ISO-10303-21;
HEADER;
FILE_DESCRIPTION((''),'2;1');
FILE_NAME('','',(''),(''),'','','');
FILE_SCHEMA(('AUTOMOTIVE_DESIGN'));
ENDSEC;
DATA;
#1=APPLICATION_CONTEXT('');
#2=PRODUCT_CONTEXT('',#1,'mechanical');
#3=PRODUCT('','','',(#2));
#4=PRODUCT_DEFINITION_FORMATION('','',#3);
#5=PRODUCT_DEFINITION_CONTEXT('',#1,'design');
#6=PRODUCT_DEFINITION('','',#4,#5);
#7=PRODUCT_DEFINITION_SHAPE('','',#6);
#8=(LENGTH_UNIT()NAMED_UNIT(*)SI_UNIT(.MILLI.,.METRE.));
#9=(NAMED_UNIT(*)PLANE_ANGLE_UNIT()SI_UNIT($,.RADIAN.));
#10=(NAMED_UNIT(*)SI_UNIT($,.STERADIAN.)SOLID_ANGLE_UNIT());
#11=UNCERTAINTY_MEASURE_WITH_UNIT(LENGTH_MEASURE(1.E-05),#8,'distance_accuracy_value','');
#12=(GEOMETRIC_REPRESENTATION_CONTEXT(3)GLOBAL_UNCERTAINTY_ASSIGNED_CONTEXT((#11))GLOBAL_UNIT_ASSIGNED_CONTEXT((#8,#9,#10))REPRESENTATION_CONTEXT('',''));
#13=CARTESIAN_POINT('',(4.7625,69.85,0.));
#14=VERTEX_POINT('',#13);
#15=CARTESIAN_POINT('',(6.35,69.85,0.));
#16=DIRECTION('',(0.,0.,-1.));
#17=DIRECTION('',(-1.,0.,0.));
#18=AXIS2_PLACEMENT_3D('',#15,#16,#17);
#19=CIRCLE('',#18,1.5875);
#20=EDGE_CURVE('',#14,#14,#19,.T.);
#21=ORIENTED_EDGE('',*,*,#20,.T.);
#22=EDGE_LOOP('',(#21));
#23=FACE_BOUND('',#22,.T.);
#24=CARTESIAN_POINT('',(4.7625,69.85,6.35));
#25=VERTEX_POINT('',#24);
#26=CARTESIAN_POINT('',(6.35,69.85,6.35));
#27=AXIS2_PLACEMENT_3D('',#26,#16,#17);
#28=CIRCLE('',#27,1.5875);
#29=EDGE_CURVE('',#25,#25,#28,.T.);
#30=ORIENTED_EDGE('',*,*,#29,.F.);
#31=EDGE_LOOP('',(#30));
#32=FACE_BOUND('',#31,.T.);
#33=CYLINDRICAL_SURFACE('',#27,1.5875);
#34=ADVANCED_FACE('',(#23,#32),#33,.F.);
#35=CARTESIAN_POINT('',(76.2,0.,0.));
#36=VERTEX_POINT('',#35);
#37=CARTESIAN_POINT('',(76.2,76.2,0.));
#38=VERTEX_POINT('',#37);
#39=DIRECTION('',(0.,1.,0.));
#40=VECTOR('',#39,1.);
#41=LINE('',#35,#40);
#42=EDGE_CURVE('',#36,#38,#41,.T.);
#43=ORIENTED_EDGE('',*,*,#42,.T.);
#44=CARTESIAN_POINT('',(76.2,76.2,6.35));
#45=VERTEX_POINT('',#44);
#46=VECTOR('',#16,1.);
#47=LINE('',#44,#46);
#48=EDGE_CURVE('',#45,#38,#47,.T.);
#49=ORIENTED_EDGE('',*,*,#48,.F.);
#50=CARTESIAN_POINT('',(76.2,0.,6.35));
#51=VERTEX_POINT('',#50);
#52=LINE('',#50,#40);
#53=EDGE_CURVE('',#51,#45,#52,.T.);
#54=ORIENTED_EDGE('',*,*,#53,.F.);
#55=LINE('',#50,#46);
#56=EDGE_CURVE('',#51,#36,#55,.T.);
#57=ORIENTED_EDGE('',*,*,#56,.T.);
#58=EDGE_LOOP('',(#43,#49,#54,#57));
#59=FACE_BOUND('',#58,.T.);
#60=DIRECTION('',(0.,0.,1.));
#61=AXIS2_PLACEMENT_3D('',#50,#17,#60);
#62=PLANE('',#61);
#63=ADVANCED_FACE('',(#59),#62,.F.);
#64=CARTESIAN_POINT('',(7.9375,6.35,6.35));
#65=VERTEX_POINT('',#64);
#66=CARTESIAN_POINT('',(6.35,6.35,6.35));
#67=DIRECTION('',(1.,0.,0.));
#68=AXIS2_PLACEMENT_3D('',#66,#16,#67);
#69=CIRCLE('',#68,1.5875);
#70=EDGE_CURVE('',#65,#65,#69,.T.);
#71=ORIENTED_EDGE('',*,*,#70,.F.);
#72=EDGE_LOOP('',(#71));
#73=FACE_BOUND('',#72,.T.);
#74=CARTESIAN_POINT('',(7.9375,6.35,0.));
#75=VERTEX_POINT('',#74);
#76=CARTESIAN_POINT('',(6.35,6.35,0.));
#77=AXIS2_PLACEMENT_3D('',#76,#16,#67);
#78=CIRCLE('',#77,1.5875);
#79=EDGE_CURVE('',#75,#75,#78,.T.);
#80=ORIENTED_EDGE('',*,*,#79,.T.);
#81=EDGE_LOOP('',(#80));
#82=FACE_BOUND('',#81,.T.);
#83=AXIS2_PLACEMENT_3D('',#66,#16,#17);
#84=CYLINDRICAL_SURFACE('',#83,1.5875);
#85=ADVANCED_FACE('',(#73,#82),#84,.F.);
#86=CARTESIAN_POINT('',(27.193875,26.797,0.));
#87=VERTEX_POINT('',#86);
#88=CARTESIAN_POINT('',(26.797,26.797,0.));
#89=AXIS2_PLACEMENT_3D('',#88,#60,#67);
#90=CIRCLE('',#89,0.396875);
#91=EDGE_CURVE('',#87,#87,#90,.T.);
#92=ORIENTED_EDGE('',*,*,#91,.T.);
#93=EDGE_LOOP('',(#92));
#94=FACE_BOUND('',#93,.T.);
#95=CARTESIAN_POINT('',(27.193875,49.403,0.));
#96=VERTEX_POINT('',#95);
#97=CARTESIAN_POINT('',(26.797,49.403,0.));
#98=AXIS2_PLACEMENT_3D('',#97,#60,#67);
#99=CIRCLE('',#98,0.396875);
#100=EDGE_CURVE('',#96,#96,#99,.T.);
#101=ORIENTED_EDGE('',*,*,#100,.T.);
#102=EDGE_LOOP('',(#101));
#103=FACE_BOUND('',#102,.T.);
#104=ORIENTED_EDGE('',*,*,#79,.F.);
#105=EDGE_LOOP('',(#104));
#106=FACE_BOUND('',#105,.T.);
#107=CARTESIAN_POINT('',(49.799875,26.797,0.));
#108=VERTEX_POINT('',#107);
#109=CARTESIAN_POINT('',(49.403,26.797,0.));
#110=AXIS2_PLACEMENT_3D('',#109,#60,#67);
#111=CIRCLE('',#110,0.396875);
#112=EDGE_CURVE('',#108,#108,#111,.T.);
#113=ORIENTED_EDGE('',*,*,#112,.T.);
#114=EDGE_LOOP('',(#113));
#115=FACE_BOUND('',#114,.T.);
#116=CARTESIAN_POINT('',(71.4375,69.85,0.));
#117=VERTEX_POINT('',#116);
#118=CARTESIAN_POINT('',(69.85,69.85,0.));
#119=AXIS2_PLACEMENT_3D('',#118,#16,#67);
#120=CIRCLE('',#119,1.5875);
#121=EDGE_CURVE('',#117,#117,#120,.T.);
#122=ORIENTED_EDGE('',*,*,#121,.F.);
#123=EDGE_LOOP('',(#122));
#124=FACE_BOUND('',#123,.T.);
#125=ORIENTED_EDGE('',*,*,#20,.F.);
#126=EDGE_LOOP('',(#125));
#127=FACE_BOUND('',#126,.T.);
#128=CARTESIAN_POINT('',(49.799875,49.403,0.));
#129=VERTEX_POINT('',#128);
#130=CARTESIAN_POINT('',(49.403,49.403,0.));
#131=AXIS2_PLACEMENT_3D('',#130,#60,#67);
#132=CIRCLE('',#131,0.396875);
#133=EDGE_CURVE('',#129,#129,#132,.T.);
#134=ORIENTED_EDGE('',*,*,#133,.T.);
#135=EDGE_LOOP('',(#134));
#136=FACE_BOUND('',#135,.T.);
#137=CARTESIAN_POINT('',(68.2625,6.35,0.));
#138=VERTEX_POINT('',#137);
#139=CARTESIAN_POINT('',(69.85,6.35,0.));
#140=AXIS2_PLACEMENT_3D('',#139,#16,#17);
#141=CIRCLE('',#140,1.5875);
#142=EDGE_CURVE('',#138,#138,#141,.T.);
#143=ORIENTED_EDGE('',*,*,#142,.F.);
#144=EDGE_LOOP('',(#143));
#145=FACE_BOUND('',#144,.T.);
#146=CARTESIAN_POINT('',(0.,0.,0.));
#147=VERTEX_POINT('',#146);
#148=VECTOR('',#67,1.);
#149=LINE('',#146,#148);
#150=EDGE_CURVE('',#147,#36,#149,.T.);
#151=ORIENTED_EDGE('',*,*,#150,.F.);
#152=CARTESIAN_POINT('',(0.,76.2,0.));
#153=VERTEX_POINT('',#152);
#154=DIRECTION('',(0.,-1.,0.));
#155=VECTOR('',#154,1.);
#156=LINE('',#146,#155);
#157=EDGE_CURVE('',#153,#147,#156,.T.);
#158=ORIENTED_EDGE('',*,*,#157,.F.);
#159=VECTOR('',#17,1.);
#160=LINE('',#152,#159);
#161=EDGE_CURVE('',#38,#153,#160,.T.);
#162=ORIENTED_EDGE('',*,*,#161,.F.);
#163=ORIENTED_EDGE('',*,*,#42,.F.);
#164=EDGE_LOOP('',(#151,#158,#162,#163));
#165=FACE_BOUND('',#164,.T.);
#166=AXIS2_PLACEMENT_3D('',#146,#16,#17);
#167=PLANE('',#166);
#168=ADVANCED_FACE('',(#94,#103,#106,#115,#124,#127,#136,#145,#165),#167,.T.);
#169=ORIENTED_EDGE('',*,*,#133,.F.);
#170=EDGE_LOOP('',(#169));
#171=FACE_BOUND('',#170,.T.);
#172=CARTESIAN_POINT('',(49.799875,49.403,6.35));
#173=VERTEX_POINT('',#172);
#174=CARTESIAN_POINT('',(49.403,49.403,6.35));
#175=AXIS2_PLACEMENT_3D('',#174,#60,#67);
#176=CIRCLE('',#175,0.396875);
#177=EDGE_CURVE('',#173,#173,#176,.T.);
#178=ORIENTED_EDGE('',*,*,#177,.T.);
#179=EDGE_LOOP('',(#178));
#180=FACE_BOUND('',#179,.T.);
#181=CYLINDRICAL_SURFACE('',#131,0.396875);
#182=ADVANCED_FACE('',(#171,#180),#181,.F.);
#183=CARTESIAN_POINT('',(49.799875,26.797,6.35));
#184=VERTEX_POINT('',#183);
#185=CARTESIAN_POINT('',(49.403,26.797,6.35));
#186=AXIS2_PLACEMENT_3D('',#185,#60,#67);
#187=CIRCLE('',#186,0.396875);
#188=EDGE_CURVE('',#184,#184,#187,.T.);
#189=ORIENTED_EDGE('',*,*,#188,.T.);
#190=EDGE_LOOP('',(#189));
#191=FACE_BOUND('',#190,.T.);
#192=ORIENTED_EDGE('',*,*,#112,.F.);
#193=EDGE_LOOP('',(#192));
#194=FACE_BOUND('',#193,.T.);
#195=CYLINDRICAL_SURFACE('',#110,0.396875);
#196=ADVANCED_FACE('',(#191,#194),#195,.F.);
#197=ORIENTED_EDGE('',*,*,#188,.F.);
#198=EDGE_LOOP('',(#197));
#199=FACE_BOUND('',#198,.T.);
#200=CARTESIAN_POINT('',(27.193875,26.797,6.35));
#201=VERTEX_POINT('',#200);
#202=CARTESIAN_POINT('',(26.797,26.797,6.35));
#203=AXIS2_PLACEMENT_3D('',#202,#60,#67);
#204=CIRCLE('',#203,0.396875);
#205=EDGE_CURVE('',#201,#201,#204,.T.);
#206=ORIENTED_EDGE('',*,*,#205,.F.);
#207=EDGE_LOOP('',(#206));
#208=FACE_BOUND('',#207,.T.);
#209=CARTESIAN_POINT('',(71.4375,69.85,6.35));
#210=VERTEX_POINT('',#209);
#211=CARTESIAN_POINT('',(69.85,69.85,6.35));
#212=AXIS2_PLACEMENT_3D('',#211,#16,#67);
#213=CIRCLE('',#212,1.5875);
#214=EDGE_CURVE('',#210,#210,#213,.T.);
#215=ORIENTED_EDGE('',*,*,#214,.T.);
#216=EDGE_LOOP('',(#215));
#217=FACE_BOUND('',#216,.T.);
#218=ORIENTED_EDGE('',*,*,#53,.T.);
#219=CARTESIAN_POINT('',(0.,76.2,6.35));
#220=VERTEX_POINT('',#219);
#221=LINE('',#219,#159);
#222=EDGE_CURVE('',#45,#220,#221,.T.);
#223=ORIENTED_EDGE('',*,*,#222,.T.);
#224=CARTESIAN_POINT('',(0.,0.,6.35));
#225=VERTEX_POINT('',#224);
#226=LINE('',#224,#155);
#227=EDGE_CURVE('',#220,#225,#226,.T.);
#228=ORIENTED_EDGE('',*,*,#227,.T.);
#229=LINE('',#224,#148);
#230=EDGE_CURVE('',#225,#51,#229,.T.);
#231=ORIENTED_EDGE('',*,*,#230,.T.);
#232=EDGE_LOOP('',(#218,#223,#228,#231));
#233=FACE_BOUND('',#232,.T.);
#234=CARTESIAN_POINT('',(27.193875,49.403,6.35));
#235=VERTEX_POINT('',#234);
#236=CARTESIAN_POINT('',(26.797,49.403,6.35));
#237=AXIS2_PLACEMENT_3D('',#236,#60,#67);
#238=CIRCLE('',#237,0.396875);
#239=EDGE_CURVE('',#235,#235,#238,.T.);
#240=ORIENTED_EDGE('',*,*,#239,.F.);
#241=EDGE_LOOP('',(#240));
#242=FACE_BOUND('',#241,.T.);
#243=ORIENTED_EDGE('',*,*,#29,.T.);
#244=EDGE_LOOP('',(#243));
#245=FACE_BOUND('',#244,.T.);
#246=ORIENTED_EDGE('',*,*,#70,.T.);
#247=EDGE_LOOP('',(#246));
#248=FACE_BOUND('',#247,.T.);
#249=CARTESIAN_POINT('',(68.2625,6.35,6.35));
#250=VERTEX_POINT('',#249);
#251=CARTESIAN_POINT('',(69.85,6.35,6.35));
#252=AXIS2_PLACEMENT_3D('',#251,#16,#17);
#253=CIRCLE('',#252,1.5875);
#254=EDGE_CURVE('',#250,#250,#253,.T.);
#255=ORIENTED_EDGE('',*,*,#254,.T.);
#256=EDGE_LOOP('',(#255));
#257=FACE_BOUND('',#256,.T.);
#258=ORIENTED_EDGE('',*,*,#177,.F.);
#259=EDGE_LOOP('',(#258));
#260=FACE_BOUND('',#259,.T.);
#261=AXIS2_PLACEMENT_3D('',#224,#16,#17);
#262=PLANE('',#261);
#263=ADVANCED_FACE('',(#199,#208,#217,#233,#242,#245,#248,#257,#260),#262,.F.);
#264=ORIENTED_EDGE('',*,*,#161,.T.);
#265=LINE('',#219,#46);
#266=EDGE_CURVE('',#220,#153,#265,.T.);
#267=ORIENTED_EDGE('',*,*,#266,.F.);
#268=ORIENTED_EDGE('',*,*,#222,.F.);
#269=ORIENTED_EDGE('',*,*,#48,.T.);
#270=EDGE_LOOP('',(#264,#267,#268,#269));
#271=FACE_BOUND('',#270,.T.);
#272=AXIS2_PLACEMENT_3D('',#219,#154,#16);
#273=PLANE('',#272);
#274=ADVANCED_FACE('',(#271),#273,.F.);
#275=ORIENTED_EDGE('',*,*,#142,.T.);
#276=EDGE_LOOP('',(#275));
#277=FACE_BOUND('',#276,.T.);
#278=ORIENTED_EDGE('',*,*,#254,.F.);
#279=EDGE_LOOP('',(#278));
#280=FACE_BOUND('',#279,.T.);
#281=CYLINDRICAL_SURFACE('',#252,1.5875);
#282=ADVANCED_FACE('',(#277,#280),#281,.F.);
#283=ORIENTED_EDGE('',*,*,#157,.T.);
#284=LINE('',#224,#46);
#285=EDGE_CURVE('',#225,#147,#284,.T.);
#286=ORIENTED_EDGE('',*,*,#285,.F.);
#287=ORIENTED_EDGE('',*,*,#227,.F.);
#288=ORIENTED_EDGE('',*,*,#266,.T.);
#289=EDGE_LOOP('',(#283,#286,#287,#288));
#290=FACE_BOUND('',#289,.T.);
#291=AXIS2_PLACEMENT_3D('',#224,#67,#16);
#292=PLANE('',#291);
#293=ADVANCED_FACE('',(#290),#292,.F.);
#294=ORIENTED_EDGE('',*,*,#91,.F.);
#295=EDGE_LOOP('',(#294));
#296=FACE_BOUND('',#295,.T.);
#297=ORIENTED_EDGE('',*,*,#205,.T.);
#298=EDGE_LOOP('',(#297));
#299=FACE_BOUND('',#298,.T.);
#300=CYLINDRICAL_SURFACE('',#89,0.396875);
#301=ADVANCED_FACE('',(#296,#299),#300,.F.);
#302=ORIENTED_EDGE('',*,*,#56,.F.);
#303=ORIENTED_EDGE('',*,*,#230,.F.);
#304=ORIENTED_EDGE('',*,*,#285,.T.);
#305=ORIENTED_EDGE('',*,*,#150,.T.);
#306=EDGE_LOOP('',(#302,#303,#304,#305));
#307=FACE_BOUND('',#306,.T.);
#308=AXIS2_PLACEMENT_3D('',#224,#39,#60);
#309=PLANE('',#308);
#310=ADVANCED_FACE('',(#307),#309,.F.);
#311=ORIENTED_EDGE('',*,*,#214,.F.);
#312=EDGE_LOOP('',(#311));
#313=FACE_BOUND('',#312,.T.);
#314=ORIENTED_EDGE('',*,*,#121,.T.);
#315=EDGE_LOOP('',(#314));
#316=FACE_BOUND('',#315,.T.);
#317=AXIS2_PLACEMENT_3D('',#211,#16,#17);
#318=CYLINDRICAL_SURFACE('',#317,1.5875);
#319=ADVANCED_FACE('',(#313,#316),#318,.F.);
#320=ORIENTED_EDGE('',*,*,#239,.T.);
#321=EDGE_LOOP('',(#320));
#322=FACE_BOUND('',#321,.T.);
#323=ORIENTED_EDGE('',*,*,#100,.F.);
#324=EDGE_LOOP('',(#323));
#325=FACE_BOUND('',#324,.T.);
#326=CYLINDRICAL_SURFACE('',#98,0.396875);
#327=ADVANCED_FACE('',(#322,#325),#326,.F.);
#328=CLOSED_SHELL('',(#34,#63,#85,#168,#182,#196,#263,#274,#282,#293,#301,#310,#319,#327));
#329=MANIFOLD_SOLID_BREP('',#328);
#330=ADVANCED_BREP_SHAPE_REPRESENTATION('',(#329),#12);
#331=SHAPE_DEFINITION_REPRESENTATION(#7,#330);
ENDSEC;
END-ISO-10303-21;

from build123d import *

# Parameters (mm, degrees)
SKETCH1_W           = 76.2
SKETCH1_H           = 76.2
BOSS_EXTRUDE1_DEPTH = 6.35
SKETCH3_R           = 0.396875
CUT_EXTRUDE2_DEPTH  = 7.35
SKETCH4_R           = 1.5875
CUT_EXTRUDE3_DEPTH  = 7.35


with BuildPart() as part:
    # Sketch1 → Boss-Extrude1 (new body)
    with BuildSketch(Plane.XY):
        with Locations((38.1, 38.1)):
            Rectangle(SKETCH1_W, SKETCH1_H)
    extrude(amount=BOSS_EXTRUDE1_DEPTH)

    # Sketch3 → Cut-Extrude2 (cut, through all)
    with BuildSketch(Plane.XY.offset(6.35)):
        with Locations((49.403, 49.403)):
            Circle(SKETCH3_R)
        with Locations((26.797, 49.403)):
            Circle(SKETCH3_R)
        with Locations((26.797, 26.797)):
            Circle(SKETCH3_R)
        with Locations((49.403, 26.797)):
            Circle(SKETCH3_R)
    extrude(amount=-CUT_EXTRUDE2_DEPTH, mode=Mode.SUBTRACT)

    # Sketch4 → Cut-Extrude3 (cut, through all)
    with BuildSketch(Plane(origin=(0, 0, 0), x_dir=(-1, 0, 0), z_dir=(0, 0, -1))):
        with Locations((-6.35, 69.85)):
            Circle(SKETCH4_R)
        with Locations((-6.35, 6.35)):
            Circle(SKETCH4_R)
        with Locations((-69.85, 69.85)):
            Circle(SKETCH4_R)
        with Locations((-69.85, 6.35)):
            Circle(SKETCH4_R)
    extrude(amount=-CUT_EXTRUDE3_DEPTH, mode=Mode.SUBTRACT)


solid = part.part
